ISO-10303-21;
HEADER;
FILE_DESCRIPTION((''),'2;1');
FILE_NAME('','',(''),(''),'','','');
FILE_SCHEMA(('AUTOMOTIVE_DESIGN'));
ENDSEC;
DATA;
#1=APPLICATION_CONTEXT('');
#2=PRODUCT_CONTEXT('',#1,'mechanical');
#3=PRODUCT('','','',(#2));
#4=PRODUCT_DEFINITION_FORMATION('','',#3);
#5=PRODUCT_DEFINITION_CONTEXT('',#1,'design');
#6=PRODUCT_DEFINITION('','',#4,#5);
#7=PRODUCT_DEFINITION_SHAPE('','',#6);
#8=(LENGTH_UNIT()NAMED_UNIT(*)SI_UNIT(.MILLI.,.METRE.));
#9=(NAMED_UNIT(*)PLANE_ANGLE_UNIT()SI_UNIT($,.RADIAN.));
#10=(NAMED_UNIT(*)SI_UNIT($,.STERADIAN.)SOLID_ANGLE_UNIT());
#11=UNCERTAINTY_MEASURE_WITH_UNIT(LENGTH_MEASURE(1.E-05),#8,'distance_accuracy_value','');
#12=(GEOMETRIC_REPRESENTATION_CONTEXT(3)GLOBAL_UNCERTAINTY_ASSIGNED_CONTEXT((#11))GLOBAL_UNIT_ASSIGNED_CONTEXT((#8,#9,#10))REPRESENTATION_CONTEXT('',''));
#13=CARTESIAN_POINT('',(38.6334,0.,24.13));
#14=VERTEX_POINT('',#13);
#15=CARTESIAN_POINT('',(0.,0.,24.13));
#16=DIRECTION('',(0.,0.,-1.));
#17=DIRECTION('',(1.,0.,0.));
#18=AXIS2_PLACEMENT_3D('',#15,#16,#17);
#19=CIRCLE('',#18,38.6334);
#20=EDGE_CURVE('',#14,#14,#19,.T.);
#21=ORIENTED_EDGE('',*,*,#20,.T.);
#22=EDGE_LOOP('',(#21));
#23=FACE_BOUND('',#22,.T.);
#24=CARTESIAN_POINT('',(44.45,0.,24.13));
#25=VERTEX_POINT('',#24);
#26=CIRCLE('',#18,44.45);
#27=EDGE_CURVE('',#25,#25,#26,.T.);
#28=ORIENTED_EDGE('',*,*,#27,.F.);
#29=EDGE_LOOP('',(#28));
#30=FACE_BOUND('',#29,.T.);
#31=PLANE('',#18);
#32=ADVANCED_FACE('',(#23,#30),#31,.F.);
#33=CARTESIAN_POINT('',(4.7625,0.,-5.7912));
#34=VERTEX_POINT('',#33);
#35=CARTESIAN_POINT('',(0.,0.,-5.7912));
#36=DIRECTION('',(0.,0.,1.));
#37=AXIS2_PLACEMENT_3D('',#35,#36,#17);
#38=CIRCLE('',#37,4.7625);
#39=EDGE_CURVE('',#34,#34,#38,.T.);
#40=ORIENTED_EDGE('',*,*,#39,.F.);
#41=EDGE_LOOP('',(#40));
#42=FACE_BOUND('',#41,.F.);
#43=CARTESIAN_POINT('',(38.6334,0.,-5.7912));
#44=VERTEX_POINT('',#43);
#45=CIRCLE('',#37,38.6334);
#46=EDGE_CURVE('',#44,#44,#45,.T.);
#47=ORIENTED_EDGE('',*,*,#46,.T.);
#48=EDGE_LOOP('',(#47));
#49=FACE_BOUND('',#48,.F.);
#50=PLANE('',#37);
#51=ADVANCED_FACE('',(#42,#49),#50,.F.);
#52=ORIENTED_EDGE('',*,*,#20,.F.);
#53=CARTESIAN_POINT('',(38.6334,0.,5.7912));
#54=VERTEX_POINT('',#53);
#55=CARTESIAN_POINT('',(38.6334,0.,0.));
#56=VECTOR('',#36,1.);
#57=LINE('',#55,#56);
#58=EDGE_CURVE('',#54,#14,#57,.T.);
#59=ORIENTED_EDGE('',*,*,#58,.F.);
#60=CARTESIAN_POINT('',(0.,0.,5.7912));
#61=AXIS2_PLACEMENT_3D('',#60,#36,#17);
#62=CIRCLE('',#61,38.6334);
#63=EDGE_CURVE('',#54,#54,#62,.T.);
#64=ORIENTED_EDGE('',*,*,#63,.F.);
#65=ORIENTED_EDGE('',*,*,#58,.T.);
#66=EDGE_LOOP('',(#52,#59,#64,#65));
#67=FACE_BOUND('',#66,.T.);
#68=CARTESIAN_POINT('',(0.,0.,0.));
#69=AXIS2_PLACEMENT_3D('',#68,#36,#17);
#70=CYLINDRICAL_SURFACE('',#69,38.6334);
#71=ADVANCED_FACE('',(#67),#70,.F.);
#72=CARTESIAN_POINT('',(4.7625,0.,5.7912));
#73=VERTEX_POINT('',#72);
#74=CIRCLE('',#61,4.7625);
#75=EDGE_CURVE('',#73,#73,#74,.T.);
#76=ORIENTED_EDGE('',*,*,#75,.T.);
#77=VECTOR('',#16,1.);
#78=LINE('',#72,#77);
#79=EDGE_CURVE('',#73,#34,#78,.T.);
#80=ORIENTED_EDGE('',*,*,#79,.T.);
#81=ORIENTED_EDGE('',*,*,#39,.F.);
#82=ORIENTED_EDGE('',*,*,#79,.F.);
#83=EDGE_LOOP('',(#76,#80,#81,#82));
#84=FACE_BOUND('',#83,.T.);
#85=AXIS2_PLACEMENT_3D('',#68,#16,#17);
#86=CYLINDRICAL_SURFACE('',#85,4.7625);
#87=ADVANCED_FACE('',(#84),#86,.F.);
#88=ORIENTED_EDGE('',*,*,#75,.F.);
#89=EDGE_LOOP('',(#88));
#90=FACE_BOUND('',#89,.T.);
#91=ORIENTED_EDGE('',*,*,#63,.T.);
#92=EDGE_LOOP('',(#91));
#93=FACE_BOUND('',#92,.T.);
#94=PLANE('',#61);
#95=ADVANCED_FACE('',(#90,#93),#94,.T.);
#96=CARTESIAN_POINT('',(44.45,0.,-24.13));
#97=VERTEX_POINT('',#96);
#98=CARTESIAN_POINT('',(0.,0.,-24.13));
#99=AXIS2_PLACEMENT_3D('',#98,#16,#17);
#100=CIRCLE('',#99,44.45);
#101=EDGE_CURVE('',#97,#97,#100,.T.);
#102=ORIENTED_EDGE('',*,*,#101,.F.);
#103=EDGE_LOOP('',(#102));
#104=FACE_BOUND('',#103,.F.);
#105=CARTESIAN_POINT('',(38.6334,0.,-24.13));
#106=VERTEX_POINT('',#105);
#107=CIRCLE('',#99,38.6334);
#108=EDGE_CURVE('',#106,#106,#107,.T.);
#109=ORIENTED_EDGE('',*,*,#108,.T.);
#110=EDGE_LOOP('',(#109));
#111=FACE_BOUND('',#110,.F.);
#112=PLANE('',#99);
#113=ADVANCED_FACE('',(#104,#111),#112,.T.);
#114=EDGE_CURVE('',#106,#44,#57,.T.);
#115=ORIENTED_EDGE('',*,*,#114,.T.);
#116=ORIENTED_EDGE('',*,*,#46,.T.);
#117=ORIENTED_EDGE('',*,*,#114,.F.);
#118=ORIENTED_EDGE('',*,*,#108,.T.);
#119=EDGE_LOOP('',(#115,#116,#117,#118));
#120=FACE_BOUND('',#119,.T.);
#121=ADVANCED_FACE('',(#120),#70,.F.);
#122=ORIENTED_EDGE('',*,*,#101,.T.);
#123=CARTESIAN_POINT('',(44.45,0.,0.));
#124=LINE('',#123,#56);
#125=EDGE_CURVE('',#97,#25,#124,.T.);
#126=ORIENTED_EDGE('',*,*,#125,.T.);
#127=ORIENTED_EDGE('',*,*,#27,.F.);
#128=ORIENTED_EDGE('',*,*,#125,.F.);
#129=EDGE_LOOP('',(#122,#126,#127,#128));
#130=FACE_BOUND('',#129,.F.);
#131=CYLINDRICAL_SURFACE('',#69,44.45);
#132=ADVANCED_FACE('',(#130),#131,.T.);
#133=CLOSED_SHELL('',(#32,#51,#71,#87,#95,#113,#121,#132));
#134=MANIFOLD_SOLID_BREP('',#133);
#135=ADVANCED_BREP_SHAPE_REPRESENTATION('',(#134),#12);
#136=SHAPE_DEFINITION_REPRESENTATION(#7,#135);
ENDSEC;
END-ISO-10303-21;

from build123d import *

# Parameters (mm, degrees)
F0_W     = 5.8166
F0_H     = 48.26
F2_R     = 38.6334
F2_R_2   = 4.7625
F3_DEPTH = 5.7912


with BuildPart() as f1:
    # F0 (on Front) → F1 (revolve)
    with BuildSketch(Plane.XZ):
        with Locations((41.5417, 0)):
            Rectangle(F0_W, F0_H)
    revolve(axis=Axis((0, 0, 0), (0, 0, -1)))

    # F2 (on Top) → F3 (join, symmetric)
    with BuildSketch(Plane.XY):
        Circle(F2_R)
        Circle(F2_R_2, mode=Mode.SUBTRACT)
    extrude(amount=F3_DEPTH, both=True)


solid = f1.part
